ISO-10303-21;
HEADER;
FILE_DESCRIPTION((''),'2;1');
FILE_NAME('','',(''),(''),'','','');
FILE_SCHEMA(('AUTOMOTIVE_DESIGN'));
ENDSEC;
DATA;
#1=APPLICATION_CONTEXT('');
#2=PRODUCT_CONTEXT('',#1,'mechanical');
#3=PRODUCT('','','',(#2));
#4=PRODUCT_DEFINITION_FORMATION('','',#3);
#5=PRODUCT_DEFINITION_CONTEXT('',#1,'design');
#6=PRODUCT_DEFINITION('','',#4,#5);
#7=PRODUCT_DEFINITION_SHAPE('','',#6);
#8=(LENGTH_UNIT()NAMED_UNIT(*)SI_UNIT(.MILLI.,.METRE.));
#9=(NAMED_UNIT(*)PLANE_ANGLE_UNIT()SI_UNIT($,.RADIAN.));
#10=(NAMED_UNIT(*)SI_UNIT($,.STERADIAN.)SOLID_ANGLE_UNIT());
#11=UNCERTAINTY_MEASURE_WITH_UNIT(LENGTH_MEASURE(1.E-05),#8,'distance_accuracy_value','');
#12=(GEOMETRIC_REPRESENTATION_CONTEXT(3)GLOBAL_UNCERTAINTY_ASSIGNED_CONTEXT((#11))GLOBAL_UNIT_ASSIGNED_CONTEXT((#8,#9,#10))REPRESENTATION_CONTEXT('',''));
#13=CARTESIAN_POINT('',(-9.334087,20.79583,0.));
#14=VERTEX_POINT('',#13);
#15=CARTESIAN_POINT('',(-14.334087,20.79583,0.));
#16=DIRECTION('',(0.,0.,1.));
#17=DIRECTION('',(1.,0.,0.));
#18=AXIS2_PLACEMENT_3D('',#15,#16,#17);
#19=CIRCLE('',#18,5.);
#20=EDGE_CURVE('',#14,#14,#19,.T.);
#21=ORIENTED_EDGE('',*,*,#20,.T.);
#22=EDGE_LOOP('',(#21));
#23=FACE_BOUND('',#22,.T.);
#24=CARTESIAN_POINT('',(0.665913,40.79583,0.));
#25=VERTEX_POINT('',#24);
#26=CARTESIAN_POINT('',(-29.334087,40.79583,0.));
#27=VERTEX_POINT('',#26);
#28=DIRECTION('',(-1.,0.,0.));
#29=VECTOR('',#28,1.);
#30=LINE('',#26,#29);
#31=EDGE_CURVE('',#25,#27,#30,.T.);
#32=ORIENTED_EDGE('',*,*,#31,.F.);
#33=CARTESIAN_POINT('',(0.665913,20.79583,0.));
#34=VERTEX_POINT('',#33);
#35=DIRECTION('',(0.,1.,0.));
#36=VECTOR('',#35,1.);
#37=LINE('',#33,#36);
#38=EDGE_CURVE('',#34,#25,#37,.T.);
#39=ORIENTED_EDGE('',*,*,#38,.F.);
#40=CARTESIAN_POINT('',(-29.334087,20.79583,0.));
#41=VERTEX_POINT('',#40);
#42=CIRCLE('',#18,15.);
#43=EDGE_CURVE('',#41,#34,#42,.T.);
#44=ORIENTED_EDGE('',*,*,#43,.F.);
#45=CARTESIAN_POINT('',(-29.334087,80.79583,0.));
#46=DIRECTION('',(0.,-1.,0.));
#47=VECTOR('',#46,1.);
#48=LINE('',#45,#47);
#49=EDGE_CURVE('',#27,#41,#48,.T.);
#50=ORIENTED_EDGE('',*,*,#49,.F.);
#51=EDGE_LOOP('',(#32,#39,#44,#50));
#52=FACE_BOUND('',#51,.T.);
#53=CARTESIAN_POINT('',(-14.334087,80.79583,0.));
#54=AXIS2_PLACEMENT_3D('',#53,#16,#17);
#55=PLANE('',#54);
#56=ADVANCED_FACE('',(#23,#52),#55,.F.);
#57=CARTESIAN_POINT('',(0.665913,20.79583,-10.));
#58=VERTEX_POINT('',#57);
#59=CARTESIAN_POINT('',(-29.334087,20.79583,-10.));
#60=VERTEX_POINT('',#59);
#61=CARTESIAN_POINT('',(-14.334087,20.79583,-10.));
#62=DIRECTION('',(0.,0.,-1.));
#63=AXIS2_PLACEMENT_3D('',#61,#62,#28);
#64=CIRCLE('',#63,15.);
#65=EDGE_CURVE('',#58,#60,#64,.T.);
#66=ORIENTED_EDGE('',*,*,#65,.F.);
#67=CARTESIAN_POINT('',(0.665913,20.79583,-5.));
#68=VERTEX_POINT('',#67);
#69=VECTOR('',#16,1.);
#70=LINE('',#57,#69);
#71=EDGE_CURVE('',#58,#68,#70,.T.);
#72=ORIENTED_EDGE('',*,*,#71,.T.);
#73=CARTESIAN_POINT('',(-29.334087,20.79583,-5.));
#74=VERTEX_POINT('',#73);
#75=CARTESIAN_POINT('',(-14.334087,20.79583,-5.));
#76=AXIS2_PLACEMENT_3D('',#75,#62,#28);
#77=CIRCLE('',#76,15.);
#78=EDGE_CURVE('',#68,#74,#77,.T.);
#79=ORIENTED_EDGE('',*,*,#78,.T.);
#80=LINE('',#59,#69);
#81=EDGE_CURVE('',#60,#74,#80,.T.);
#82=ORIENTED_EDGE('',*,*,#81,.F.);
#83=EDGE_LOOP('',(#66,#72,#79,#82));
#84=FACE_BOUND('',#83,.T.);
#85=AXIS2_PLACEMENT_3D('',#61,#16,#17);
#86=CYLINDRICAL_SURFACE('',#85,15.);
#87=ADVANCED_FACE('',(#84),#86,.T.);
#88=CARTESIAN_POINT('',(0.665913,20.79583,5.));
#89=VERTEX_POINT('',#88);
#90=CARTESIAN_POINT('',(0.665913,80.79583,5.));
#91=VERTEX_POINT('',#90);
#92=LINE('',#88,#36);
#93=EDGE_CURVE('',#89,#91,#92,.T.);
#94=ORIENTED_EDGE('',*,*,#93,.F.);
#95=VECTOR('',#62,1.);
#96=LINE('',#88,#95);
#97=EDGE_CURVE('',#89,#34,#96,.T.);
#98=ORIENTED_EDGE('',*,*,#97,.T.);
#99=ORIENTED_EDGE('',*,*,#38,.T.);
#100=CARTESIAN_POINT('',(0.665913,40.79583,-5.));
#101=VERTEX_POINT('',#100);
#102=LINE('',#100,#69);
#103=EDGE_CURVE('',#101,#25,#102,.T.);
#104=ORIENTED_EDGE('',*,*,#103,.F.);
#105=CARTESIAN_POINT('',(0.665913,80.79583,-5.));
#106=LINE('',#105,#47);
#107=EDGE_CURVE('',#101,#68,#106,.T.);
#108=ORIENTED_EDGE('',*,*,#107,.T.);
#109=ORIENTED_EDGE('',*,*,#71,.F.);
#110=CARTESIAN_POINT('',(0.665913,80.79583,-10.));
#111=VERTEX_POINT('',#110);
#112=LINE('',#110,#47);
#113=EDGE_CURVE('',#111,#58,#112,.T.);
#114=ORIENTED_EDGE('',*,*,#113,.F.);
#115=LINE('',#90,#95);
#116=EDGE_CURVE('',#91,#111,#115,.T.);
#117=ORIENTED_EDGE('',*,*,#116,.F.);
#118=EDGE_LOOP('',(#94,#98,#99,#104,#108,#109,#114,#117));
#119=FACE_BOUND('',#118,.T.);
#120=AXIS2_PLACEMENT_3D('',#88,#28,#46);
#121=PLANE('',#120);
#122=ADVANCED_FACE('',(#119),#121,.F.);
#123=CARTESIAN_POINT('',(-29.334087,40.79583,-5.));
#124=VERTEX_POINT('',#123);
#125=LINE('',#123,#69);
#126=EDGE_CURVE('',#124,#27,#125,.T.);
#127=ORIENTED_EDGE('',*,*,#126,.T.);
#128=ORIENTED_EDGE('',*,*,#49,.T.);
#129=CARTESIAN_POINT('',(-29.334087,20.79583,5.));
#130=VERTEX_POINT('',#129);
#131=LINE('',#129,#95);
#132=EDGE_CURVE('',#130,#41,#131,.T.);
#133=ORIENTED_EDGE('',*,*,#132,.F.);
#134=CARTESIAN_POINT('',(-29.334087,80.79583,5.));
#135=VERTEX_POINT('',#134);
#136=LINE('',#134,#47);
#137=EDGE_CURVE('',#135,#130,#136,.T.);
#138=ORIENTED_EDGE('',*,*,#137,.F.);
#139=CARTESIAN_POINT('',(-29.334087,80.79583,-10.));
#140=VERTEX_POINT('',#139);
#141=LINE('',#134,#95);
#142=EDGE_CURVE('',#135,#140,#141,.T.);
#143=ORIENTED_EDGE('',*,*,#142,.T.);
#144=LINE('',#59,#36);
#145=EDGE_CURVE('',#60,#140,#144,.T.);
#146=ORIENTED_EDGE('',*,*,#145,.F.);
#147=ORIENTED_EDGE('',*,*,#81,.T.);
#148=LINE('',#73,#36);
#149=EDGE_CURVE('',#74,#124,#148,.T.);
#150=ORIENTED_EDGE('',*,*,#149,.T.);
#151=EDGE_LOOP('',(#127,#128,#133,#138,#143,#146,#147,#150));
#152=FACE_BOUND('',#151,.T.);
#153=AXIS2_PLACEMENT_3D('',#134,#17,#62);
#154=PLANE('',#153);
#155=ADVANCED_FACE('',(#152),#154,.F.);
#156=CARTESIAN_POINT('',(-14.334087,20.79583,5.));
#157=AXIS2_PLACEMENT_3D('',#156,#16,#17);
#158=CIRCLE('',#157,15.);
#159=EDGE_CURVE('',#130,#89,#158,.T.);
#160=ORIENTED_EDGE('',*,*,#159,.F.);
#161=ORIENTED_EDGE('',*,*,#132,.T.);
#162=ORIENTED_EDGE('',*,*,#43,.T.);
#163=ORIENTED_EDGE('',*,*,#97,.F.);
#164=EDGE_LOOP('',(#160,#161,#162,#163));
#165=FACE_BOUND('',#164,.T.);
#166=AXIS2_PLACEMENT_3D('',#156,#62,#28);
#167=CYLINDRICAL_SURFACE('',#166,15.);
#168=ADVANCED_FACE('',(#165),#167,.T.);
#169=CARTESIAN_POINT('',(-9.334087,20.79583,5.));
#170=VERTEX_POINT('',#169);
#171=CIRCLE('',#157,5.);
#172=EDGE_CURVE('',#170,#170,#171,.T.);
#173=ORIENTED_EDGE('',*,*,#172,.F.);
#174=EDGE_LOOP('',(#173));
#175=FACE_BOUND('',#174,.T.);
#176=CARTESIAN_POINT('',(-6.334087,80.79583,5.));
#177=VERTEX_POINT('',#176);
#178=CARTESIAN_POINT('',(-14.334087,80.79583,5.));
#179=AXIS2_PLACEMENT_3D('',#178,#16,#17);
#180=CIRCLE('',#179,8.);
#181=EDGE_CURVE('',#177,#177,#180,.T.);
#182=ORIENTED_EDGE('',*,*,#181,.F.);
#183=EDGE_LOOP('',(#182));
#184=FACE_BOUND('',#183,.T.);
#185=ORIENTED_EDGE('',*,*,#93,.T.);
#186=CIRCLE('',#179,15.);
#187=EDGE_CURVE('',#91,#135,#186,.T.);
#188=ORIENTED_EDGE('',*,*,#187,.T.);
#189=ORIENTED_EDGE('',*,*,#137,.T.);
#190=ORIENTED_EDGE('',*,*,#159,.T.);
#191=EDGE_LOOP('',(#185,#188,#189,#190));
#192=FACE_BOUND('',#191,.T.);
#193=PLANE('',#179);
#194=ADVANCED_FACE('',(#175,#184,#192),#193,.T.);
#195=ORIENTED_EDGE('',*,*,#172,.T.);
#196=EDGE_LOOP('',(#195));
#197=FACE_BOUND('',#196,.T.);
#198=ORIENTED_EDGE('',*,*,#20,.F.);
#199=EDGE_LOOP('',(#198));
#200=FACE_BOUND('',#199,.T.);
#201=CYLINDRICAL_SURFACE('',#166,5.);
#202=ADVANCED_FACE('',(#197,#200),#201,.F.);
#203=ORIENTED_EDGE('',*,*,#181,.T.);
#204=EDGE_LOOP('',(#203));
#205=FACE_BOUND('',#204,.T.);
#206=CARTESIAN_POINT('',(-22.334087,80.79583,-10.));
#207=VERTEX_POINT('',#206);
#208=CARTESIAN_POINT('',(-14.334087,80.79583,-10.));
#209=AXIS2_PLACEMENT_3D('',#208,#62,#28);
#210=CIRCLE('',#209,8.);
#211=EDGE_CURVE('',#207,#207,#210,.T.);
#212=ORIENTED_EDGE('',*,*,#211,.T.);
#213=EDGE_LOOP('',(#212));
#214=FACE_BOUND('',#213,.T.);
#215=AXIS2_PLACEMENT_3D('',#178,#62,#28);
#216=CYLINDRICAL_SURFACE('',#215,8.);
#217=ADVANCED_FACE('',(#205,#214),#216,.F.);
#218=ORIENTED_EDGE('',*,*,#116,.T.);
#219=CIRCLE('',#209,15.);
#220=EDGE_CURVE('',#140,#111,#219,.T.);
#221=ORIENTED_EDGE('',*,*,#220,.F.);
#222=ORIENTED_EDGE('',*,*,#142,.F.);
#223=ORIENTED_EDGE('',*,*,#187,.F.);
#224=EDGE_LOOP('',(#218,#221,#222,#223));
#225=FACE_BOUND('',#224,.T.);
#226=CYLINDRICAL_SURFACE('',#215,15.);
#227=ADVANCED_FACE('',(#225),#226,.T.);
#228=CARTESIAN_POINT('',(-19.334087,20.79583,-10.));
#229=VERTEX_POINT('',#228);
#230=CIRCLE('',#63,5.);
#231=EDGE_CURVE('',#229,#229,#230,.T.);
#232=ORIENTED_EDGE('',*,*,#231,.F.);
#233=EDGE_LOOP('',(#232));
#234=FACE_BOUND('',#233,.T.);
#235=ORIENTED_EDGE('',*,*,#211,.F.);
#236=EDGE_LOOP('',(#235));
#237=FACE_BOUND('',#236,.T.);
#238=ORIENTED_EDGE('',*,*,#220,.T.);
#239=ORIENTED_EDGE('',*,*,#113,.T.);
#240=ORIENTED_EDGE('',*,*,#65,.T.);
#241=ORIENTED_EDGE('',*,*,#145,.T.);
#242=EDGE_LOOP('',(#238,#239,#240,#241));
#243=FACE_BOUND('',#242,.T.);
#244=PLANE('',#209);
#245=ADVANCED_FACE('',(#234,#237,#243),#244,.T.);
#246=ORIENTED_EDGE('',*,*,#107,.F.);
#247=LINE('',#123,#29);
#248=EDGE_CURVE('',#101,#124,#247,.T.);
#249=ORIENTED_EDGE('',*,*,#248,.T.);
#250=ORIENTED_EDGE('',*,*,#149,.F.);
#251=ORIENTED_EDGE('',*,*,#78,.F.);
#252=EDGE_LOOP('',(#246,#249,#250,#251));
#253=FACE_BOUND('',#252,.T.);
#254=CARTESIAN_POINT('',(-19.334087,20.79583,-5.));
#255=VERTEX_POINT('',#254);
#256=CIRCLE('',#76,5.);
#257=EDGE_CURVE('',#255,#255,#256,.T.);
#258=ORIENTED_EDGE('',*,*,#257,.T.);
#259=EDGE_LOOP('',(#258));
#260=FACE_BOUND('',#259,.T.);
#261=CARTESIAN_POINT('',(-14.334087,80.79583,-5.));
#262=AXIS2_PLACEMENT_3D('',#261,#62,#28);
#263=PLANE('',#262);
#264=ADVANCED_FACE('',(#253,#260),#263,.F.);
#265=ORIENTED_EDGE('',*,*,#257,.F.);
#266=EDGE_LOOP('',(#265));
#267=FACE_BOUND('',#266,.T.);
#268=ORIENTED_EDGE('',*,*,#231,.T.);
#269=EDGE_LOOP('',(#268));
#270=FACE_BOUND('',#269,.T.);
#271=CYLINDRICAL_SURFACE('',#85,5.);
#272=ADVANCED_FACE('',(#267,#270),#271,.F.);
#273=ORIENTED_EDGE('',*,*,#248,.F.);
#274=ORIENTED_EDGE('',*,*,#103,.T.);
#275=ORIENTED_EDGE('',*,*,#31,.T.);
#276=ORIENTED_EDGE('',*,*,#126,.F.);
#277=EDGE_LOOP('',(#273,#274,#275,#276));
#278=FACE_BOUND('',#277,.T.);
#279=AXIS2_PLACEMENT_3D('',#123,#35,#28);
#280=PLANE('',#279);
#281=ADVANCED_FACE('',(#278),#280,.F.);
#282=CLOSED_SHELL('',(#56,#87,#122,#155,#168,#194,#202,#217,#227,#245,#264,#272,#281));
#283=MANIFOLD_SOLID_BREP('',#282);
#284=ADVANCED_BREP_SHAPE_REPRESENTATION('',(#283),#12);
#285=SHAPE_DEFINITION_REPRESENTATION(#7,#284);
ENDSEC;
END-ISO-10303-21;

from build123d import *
from build123d.topology import SkipClean

# Parameters (mm, degrees)
SKETCH3_R           = 5
SKETCH3_R_2         = 8
BOSS_EXTRUDE1_DEPTH = 5
BOSS_EXTRUDE4_START = 5
SKETCH4_R           = 8
BOSS_EXTRUDE4_DEPTH = 5
BOSS_EXTRUDE5_START = 5
SKETCH5_R           = 8
SKETCH5_R_2         = 5
BOSS_EXTRUDE5_DEPTH = 5


with BuildPart() as part:
    # Sketch3 → Boss-Extrude1 (new body)
    with BuildSketch(Plane.XY):
        with BuildLine():
            Line((-29.334087167, 80.795829607), (-29.334087167, 20.795829607))
            ThreePointArc((-29.334087167, 20.795829607), (-14.334087167, 5.795829607), (0.665912833, 20.795829607))
            Line((0.665912833, 20.795829607), (0.665912833, 80.795829607))
            ThreePointArc((0.665912833, 80.795829607), (-14.334087167, 95.795829607), (-29.334087167, 80.795829607))
        make_face()
        with Locations((-14.334087167, 20.795829607)):
            Circle(SKETCH3_R, mode=Mode.SUBTRACT)
        with Locations((-14.334087167, 80.795829607)):
            Circle(SKETCH3_R_2, mode=Mode.SUBTRACT)
    extrude(amount=BOSS_EXTRUDE1_DEPTH)

    # Sketch4 → Boss-Extrude4 (add)
    with SkipClean():  # the faces are left unmerged after this step: merging them gives an invalid solid
        with BuildSketch(Plane(origin=(0, 0, 0), x_dir=(-1, 0, 0), z_dir=(0, 0, -1)).offset(BOSS_EXTRUDE4_START)):
            with BuildLine():
                Line((29.334087167, 80.795829607), (29.334087167, 40.795829607))
                Line((29.334087167, 40.795829607), (-0.665912833, 40.795829607))
                Line((-0.665912833, 40.795829607), (-0.665912833, 80.795829607))
                ThreePointArc((-0.665912833, 80.795829607), (14.334087167, 95.795829607), (29.334087167, 80.795829607))
            make_face()
            with Locations((14.334087167, 80.795829607)):
                Circle(SKETCH4_R, mode=Mode.SUBTRACT)
        extrude(amount=-BOSS_EXTRUDE4_DEPTH)

    # Sketch5 → Boss-Extrude5 (add)
    with SkipClean():  # the faces are left unmerged after this step: merging them gives an invalid solid
        with BuildSketch(Plane(origin=(0, 0, -5), x_dir=(-1, 0, 0), z_dir=(0, 0, -1)).offset(BOSS_EXTRUDE5_START)):
            with BuildLine():
                Line((29.334087167, 20.795829607), (29.334087167, 80.795829607))
                ThreePointArc((29.334087167, 80.795829607), (14.334087167, 95.795829607), (-0.665912833, 80.795829607))
                Line((-0.665912833, 80.795829607), (-0.665912833, 20.795829607))
                ThreePointArc((-0.665912833, 20.795829607), (14.334087167, 5.795829607), (29.334087167, 20.795829607))
            make_face()
            with Locations((14.334087167, 80.795829607)):
                Circle(SKETCH5_R, mode=Mode.SUBTRACT)
            with Locations(Location((14.334087167, 20.795829607, 0), (0, 0, 180))):
                Circle(SKETCH5_R_2, mode=Mode.SUBTRACT)
        extrude(amount=-BOSS_EXTRUDE5_DEPTH)


solid = part.part
